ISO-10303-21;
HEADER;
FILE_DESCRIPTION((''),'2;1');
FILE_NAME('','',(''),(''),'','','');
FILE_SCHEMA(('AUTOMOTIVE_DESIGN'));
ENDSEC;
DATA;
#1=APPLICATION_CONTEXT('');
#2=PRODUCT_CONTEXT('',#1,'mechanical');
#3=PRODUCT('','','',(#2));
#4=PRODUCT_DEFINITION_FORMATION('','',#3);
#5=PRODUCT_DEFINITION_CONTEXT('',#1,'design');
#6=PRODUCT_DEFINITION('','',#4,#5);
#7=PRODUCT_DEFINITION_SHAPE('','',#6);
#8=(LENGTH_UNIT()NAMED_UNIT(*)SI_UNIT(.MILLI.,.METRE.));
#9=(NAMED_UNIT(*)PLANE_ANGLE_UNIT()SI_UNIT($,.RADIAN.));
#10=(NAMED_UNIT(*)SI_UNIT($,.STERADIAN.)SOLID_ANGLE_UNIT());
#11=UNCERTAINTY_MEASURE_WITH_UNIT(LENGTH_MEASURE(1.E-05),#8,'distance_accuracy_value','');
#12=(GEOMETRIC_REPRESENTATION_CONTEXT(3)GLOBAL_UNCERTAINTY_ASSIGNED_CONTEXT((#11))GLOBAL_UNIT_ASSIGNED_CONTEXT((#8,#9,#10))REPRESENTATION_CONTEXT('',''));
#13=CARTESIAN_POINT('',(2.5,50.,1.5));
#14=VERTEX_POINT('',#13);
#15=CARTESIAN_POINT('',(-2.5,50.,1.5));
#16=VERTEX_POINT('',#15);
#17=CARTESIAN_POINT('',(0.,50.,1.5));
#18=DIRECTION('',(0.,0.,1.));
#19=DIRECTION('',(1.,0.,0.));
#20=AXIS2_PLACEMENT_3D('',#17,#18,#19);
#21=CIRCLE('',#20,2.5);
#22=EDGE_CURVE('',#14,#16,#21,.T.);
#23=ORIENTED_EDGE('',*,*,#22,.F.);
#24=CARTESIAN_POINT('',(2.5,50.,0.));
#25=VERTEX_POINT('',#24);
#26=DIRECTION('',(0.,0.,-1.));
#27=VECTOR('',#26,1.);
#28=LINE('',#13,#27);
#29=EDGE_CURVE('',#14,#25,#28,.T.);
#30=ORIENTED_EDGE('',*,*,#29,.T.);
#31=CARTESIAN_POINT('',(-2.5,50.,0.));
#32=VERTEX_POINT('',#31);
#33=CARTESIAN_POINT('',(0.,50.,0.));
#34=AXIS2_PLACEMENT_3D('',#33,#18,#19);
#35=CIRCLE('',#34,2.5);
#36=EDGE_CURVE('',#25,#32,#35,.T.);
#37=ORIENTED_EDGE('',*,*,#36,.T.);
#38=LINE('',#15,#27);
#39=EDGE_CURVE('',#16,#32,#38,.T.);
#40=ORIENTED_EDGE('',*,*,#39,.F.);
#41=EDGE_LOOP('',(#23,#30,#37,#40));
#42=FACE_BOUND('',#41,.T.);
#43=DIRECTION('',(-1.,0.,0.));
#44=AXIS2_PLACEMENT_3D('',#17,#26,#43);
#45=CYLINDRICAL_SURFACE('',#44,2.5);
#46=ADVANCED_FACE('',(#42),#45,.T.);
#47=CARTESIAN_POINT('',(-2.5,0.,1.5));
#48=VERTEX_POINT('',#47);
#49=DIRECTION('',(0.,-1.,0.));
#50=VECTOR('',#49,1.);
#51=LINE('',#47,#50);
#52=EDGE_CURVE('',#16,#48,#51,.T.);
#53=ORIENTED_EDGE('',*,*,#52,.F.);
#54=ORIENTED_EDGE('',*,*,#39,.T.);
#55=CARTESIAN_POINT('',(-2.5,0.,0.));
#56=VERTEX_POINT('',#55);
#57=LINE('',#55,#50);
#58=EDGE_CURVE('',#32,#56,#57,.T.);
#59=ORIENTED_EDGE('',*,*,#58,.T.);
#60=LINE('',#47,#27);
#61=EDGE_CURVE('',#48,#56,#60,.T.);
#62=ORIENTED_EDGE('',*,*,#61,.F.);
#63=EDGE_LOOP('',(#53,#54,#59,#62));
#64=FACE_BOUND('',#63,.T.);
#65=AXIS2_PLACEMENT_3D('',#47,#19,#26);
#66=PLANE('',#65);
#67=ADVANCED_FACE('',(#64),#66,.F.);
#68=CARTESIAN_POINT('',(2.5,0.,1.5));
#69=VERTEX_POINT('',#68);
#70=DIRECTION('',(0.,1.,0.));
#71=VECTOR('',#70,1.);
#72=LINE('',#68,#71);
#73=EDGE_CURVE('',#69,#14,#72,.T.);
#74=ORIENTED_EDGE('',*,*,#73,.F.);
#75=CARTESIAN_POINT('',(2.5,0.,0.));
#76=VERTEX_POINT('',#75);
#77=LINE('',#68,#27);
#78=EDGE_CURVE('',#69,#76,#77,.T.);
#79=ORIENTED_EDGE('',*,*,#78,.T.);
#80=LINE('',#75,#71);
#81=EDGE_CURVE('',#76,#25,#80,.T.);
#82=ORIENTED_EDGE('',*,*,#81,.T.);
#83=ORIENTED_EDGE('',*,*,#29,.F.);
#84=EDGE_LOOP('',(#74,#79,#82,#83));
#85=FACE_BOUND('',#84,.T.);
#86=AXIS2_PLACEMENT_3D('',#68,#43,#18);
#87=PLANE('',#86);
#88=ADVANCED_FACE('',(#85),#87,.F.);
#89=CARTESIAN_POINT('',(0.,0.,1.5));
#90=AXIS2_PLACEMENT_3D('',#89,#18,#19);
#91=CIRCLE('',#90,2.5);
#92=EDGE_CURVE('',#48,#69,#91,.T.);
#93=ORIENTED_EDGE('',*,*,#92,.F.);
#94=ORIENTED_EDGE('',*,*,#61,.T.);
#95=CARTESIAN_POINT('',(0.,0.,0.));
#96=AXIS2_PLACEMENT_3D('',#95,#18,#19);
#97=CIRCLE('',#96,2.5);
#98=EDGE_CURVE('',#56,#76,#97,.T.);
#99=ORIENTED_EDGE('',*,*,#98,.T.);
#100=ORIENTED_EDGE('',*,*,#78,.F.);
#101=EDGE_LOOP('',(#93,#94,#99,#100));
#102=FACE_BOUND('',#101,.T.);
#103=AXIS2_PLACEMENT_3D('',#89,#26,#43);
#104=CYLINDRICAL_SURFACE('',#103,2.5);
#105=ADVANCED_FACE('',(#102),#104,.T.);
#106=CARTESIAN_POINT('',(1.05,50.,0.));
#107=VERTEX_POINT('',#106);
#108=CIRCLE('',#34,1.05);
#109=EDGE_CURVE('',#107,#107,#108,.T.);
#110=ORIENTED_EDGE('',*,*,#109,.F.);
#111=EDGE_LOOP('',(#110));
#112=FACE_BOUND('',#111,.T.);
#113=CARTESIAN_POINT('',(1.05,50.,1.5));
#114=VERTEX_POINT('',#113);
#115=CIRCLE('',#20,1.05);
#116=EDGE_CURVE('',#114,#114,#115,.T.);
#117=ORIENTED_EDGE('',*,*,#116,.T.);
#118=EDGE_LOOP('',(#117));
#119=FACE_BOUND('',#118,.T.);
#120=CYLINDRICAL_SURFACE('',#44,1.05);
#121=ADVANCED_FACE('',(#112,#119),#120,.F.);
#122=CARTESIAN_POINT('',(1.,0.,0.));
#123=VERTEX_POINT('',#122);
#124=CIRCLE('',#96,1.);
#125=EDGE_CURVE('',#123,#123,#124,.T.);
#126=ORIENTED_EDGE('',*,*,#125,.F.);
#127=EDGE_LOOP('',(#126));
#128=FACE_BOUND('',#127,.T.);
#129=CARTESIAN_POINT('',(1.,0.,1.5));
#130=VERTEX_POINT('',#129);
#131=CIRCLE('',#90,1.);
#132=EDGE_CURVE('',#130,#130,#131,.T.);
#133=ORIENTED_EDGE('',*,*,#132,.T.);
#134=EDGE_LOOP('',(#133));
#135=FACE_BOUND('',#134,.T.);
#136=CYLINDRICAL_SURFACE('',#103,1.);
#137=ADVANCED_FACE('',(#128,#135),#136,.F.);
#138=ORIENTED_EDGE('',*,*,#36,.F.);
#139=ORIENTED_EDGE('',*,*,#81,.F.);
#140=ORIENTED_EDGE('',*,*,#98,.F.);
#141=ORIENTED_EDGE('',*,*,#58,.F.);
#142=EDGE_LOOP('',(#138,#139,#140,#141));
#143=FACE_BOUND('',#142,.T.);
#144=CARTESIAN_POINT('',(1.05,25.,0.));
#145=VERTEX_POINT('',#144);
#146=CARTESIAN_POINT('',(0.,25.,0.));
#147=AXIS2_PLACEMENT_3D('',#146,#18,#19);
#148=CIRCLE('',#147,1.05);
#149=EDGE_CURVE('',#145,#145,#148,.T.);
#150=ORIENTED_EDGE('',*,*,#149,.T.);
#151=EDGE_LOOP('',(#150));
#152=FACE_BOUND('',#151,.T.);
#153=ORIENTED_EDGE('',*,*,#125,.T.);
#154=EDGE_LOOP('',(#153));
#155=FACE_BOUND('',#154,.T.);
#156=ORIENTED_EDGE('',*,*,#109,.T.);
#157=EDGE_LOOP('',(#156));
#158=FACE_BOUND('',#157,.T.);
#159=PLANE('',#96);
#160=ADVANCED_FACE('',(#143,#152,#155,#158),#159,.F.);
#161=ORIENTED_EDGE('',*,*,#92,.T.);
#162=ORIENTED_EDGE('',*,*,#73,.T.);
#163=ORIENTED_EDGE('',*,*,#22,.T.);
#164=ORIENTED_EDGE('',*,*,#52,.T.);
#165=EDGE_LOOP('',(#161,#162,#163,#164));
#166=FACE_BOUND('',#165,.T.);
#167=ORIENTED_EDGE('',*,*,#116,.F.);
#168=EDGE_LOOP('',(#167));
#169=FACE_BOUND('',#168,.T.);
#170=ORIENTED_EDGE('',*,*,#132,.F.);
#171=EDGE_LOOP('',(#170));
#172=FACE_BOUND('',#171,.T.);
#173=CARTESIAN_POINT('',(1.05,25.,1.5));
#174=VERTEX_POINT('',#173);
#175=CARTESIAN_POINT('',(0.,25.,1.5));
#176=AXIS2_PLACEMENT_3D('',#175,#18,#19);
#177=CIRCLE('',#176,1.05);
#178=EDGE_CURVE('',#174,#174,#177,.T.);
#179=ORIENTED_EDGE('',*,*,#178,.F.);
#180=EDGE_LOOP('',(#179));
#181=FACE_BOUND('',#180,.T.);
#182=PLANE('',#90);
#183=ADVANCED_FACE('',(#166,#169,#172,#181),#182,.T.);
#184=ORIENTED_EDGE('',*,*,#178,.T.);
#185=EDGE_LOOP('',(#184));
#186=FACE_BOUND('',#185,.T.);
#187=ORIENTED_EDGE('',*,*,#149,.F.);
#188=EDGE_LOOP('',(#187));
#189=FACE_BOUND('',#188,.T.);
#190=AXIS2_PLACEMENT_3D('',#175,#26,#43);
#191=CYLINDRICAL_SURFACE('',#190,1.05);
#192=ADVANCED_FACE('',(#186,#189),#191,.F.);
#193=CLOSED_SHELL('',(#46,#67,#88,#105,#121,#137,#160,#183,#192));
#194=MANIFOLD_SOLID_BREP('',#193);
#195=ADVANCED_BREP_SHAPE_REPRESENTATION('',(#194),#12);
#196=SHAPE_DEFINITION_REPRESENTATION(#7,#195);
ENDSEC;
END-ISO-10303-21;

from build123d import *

# Parameters (mm, degrees)
SKETCH_1_R      = 1
SKETCH_1_R_2    = 1.05
EXTRUDE_1_DEPTH = 1.5


with BuildPart() as part:
    # 草图1 → 凸台-拉伸1 (new body)
    with BuildSketch(Plane.XY):
        with BuildLine():
            Line((-2.5, 0), (-2.5, 50))
            ThreePointArc((-2.5, 50), (0, 52.5), (2.5, 50))
            Line((2.5, 50), (2.5, 0))
            ThreePointArc((2.5, 0), (0, -2.5), (-2.5, 0))
        make_face()
        Circle(SKETCH_1_R, mode=Mode.SUBTRACT)
        with Locations((0, 50)):
            Circle(SKETCH_1_R_2, mode=Mode.SUBTRACT)
        with Locations((0, 25)):
            Circle(SKETCH_1_R_2, mode=Mode.SUBTRACT)
    extrude(amount=EXTRUDE_1_DEPTH)


solid = part.part
